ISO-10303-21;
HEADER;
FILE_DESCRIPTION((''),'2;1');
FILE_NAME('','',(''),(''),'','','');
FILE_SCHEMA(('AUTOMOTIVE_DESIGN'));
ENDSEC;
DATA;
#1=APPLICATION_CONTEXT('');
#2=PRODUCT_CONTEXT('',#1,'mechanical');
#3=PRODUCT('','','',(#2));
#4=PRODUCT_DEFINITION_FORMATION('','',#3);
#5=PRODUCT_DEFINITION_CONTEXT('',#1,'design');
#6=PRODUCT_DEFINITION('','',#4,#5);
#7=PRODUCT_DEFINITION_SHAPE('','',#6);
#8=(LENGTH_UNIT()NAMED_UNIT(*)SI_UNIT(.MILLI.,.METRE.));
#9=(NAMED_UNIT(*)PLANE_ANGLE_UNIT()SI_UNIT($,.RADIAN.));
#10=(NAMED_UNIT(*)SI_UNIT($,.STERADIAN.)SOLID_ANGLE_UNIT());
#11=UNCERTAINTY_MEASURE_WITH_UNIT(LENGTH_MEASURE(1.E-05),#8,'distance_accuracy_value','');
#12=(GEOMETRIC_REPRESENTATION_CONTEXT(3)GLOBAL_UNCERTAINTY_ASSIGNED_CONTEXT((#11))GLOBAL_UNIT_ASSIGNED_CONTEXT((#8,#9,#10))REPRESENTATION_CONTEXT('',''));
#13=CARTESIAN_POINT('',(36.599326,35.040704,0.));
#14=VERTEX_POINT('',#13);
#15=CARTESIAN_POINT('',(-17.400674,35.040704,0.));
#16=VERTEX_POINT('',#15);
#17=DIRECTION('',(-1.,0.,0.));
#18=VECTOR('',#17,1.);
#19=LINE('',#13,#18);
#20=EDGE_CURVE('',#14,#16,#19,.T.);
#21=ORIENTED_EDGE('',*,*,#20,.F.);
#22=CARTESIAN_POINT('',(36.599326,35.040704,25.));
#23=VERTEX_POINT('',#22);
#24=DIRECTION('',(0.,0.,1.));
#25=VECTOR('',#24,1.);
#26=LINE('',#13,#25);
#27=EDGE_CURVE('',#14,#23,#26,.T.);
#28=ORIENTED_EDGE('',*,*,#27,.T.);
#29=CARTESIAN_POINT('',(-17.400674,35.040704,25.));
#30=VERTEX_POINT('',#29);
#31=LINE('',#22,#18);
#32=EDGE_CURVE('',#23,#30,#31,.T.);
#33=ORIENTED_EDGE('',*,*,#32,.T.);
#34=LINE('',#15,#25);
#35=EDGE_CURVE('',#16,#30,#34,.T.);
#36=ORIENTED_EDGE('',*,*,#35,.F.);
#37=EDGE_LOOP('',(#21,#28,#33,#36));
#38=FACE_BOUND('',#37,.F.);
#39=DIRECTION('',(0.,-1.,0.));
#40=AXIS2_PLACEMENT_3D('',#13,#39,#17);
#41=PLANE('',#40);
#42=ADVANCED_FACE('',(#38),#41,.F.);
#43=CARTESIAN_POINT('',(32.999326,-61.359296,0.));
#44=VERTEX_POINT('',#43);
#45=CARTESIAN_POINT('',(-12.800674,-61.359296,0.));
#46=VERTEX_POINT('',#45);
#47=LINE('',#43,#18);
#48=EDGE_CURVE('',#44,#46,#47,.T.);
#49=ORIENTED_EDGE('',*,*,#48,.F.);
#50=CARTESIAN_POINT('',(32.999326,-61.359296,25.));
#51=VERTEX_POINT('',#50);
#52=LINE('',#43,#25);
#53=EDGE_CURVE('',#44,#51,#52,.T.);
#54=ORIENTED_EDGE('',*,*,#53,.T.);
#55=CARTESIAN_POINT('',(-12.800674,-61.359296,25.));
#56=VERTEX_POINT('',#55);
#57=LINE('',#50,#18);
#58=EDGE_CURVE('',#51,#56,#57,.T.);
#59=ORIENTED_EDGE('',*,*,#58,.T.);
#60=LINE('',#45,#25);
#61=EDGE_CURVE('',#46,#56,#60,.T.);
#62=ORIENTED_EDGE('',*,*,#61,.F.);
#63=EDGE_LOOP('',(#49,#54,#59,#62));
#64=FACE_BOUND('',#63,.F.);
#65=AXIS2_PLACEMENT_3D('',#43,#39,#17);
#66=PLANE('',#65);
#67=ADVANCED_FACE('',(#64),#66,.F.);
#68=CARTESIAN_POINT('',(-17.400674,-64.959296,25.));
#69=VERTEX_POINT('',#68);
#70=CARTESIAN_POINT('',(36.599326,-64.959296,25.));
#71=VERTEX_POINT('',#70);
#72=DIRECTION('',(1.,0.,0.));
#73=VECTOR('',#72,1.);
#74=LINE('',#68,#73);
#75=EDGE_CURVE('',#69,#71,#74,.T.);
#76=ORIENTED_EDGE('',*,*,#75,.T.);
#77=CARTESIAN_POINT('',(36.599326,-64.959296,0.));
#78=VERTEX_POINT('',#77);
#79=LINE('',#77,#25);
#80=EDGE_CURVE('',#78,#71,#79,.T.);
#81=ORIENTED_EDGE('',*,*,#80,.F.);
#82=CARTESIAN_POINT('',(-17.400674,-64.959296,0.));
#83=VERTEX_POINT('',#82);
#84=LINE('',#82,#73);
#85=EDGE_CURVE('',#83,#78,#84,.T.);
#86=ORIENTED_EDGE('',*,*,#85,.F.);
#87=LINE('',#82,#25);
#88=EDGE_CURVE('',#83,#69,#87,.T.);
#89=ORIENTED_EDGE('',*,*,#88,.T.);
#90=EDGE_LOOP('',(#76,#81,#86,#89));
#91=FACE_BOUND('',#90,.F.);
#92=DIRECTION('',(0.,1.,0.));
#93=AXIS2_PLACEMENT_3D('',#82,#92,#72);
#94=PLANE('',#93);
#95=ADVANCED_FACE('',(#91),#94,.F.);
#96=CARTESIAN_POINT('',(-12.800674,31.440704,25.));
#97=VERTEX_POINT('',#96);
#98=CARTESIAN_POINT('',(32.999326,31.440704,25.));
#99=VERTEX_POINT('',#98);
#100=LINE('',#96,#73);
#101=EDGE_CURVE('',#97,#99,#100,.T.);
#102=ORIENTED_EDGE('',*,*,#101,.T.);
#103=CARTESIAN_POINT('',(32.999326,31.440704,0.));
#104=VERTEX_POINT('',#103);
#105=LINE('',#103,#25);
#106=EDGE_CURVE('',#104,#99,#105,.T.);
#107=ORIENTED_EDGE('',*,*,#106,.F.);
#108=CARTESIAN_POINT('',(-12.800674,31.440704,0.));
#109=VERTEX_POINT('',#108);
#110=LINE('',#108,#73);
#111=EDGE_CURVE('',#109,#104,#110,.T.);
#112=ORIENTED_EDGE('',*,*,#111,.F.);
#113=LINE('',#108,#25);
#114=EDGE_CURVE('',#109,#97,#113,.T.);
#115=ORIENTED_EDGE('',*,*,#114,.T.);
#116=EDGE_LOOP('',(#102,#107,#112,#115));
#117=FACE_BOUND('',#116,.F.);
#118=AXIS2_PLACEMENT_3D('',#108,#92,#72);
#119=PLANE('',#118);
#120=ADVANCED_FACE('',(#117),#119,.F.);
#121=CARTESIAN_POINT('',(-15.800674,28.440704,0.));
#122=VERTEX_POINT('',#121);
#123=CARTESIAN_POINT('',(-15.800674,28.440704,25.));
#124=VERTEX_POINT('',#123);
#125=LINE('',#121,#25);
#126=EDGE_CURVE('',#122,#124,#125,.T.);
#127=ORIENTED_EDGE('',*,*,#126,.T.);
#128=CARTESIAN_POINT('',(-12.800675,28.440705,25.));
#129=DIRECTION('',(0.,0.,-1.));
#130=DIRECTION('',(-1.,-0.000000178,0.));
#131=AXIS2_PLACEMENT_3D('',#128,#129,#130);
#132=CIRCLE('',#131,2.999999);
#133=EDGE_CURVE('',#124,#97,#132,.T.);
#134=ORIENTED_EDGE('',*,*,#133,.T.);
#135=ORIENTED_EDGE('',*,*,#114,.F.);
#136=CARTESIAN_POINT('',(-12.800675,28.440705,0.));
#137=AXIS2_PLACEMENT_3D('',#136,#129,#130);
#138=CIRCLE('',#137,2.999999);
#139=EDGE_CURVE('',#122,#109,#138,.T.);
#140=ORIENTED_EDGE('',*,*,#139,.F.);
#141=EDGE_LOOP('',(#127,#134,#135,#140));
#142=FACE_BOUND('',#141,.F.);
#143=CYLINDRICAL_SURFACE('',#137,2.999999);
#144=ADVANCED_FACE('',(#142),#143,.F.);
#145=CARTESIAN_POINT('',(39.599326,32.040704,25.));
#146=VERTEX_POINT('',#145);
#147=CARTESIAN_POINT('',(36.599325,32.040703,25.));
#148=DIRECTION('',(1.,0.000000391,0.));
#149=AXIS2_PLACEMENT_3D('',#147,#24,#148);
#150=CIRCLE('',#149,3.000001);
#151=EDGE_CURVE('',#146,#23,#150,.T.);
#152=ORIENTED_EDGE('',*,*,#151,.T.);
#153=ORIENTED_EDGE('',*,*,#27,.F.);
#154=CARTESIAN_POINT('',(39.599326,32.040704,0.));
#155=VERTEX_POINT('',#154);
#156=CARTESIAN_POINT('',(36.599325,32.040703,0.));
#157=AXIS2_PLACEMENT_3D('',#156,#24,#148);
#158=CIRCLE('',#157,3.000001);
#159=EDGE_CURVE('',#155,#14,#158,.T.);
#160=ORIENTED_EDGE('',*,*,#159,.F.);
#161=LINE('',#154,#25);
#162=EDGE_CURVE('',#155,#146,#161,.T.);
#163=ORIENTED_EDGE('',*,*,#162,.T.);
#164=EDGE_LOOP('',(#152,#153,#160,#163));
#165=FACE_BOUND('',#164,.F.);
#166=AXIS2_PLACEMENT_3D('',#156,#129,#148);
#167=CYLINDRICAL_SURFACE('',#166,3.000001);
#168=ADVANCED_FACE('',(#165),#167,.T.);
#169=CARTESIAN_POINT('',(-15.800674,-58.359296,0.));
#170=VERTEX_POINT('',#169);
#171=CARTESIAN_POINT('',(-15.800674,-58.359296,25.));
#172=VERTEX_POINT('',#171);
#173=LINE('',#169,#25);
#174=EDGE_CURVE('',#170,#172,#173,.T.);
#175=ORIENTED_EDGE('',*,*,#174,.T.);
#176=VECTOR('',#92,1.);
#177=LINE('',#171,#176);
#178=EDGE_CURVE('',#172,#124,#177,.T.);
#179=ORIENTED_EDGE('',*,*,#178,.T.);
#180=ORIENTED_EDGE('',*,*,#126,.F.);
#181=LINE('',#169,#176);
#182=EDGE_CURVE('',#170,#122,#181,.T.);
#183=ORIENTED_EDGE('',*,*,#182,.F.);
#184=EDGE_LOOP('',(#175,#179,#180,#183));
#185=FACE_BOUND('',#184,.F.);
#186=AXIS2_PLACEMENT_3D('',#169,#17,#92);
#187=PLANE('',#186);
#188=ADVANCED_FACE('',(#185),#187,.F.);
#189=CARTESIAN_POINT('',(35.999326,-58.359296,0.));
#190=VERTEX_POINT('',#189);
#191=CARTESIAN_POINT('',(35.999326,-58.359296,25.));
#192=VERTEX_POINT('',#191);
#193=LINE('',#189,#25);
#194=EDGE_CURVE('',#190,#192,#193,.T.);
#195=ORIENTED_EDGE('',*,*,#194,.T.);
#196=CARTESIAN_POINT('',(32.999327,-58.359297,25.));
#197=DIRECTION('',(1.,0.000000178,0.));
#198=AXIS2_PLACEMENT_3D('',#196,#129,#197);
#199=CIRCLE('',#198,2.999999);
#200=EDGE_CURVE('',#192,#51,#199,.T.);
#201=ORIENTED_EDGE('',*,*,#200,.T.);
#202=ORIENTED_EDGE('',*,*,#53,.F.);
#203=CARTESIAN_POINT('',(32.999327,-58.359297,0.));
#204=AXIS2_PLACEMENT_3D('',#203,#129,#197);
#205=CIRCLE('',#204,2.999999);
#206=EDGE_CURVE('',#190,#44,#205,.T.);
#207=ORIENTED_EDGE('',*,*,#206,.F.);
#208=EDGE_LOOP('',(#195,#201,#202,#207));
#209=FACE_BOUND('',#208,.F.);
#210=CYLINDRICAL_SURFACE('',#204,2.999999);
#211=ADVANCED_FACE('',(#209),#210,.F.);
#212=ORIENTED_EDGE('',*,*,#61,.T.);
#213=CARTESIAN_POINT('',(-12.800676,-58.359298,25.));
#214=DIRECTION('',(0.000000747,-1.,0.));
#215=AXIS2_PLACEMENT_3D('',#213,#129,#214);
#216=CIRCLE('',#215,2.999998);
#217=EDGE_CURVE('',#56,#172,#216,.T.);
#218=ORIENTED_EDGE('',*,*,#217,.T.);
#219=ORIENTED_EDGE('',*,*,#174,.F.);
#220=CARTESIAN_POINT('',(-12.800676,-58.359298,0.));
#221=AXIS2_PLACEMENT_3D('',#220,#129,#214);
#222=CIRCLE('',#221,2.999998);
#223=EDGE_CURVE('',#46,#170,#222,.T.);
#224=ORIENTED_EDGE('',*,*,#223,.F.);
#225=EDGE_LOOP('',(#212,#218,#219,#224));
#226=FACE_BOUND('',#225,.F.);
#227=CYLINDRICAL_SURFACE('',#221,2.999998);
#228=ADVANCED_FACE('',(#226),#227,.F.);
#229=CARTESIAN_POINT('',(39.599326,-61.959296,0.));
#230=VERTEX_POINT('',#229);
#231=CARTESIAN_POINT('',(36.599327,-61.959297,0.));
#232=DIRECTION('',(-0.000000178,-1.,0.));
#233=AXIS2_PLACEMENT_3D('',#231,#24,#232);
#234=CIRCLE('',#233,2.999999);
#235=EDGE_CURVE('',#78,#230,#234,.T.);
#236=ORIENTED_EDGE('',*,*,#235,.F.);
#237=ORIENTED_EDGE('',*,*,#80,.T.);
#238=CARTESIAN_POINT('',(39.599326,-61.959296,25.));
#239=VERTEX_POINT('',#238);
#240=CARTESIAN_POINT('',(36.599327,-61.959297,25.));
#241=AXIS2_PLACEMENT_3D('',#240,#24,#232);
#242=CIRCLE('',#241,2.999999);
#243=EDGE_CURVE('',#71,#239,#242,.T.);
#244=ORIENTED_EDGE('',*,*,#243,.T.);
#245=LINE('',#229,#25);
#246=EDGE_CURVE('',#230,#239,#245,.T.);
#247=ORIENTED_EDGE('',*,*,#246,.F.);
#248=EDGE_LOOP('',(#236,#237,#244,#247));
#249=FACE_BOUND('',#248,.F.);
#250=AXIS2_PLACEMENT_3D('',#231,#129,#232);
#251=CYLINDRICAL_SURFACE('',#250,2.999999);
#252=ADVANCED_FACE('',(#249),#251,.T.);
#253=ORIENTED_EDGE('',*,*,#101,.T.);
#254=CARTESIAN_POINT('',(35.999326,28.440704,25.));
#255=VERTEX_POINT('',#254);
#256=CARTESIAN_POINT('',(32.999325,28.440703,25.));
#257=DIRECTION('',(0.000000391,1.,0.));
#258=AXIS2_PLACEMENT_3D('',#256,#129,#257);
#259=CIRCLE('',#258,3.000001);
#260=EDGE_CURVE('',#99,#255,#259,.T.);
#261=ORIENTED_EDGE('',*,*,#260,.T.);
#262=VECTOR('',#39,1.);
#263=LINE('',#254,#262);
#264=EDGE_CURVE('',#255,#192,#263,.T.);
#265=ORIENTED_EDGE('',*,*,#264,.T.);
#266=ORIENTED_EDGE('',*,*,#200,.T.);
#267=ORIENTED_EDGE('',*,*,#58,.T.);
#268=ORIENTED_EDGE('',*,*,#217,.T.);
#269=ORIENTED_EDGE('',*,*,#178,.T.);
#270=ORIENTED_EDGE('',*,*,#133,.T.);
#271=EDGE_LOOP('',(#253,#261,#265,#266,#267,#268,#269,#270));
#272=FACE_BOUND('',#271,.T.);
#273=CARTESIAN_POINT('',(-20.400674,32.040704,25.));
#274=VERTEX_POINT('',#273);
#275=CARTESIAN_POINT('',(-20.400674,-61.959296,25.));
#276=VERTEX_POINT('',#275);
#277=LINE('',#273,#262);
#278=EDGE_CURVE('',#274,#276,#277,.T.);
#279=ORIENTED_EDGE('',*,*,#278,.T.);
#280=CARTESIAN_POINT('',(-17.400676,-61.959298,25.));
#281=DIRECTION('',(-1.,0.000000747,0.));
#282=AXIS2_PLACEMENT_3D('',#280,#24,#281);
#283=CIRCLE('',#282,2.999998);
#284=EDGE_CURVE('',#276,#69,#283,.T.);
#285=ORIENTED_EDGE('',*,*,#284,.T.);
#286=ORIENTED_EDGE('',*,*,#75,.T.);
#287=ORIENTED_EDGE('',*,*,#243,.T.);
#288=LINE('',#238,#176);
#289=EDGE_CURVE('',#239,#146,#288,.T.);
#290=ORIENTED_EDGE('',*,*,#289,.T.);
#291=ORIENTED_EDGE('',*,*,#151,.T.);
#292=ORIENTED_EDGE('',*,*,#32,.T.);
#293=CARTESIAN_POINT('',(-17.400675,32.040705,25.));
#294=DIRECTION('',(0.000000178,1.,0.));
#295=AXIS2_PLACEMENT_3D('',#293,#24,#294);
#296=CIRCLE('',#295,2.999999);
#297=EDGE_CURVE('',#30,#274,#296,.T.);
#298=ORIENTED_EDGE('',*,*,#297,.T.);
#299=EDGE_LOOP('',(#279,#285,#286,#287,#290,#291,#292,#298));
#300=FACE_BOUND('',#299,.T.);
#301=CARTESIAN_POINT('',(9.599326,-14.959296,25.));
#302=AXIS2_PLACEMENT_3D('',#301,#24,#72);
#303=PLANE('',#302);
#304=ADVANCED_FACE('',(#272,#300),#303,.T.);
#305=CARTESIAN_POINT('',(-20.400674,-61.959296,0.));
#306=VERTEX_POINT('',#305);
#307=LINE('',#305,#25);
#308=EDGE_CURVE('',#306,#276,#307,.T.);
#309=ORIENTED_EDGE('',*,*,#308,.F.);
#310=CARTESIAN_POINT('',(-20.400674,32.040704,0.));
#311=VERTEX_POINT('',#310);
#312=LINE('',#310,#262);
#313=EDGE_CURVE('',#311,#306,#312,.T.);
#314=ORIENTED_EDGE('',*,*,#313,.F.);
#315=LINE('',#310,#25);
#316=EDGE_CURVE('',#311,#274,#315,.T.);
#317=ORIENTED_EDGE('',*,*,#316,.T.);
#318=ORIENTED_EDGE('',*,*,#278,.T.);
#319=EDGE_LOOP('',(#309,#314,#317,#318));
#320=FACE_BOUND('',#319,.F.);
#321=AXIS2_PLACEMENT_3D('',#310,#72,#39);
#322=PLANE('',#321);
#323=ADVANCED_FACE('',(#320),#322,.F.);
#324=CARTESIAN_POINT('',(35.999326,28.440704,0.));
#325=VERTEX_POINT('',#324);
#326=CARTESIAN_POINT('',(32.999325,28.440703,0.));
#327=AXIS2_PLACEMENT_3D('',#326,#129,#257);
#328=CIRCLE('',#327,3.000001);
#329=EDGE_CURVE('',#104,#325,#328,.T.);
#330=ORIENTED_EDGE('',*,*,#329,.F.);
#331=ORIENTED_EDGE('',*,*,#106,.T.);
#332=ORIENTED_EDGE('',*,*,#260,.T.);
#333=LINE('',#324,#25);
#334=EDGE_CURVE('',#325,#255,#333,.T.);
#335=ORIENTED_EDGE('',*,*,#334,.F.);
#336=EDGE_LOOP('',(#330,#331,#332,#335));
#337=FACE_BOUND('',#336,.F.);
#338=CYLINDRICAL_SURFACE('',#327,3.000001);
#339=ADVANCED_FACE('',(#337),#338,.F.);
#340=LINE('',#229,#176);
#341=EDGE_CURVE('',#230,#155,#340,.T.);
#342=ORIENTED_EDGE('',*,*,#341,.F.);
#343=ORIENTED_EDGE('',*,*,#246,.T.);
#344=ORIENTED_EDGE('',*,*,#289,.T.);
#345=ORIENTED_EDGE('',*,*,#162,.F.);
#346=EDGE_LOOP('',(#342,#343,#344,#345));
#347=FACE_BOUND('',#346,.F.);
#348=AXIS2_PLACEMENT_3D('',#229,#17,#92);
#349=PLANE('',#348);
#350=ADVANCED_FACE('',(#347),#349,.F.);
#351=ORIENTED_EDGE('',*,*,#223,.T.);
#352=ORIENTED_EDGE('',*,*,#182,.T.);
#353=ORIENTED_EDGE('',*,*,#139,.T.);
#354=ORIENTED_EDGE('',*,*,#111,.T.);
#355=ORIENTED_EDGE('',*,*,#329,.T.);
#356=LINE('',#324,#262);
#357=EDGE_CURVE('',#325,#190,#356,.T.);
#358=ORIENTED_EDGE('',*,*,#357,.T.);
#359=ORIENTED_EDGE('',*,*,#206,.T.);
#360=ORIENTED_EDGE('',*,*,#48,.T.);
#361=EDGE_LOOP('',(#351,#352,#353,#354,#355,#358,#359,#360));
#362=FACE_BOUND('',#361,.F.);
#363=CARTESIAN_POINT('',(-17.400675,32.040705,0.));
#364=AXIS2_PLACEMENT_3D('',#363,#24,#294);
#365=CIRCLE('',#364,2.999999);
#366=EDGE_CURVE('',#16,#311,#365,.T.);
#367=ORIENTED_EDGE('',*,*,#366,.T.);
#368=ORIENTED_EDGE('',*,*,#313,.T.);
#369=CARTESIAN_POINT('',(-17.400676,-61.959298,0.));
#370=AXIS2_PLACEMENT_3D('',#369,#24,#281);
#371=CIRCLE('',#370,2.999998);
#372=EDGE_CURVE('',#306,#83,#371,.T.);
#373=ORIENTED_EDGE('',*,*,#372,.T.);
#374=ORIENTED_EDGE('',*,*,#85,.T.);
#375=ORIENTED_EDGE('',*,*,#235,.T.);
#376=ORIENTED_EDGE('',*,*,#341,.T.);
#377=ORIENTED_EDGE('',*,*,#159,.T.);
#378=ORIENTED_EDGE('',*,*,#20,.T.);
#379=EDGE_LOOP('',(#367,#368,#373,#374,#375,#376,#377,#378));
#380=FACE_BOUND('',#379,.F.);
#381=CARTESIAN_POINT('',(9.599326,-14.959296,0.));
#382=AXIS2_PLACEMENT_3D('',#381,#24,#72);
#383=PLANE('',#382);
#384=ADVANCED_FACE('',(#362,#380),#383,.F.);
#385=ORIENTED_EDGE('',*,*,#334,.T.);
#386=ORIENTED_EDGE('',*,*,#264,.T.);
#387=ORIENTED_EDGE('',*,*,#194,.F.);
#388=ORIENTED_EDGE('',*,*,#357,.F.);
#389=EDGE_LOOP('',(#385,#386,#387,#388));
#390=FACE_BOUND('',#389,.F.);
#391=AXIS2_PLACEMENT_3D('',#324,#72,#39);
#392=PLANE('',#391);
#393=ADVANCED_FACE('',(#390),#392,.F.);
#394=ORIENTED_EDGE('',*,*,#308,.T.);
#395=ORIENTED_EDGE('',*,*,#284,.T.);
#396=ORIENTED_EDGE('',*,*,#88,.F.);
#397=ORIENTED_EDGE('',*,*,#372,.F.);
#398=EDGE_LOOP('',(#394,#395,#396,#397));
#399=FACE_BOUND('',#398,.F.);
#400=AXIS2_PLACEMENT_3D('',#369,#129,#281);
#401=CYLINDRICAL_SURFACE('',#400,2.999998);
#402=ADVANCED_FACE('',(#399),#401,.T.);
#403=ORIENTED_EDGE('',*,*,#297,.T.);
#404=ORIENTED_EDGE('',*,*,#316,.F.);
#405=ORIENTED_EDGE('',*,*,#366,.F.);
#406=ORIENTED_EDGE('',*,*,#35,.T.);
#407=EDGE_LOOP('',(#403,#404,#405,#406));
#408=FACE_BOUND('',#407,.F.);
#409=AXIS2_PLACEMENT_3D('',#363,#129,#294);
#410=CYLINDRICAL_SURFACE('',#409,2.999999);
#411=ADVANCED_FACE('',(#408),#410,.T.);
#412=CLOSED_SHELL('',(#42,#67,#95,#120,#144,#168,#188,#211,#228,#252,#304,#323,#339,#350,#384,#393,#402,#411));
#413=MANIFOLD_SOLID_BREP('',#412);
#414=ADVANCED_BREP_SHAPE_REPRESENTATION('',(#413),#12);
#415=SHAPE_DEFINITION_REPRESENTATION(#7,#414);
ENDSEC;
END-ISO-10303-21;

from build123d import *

# Parameters (mm, degrees)
F1_DEPTH = 25


with BuildPart() as f1:
    # F0 (on Top) → F1 (new body)
    with BuildSketch(Plane.XY):
        with BuildLine():
            Line((39.599326, -61.959296), (39.599326, 32.040704))
            ThreePointArc((39.599326, 32.040704), (38.720646, 34.162024), (36.599326, 35.040704))
            Line((36.599326, 35.040704), (-17.400674, 35.040704))
            ThreePointArc((-17.400674, 35.040704), (-19.521995, 34.162024), (-20.400674, 32.040704))
            Line((-20.400674, 32.040704), (-20.400674, -61.959296))
            ThreePointArc((-20.400674, -61.959296), (-19.521995, -64.080617), (-17.400674, -64.959296))
            Line((-17.400674, -64.959296), (9.599326, -64.959296))
            Line((9.599326, -64.959296), (36.599326, -64.959296))
            ThreePointArc((36.599326, -64.959296), (38.720646, -64.080617), (39.599326, -61.959296))
        make_face()
        with BuildLine():
            Line((32.999326, -61.359296), (10.599326, -61.359296))
            Line((10.599326, -61.359296), (-12.800674, -61.359296))
            ThreePointArc((-12.800674, -61.359296), (-14.921995, -60.480617), (-15.800674, -58.359296))
            Line((-15.800674, -58.359296), (-15.800674, 28.440704))
            ThreePointArc((-15.800674, 28.440704), (-14.921995, 30.562024), (-12.800674, 31.440704))
            Line((-12.800674, 31.440704), (9.599326, 31.440704))
            Line((9.599326, 31.440704), (10.599326, 31.440704))
            Line((10.599326, 31.440704), (32.999326, 31.440704))
            ThreePointArc((32.999326, 31.440704), (35.120646, 30.562024), (35.999326, 28.440704))
            Line((35.999326, 28.440704), (35.999326, -58.359296))
            ThreePointArc((35.999326, -58.359296), (35.120646, -60.480617), (32.999326, -61.359296))
        make_face(mode=Mode.SUBTRACT)
    extrude(amount=F1_DEPTH)


solid = f1.part
